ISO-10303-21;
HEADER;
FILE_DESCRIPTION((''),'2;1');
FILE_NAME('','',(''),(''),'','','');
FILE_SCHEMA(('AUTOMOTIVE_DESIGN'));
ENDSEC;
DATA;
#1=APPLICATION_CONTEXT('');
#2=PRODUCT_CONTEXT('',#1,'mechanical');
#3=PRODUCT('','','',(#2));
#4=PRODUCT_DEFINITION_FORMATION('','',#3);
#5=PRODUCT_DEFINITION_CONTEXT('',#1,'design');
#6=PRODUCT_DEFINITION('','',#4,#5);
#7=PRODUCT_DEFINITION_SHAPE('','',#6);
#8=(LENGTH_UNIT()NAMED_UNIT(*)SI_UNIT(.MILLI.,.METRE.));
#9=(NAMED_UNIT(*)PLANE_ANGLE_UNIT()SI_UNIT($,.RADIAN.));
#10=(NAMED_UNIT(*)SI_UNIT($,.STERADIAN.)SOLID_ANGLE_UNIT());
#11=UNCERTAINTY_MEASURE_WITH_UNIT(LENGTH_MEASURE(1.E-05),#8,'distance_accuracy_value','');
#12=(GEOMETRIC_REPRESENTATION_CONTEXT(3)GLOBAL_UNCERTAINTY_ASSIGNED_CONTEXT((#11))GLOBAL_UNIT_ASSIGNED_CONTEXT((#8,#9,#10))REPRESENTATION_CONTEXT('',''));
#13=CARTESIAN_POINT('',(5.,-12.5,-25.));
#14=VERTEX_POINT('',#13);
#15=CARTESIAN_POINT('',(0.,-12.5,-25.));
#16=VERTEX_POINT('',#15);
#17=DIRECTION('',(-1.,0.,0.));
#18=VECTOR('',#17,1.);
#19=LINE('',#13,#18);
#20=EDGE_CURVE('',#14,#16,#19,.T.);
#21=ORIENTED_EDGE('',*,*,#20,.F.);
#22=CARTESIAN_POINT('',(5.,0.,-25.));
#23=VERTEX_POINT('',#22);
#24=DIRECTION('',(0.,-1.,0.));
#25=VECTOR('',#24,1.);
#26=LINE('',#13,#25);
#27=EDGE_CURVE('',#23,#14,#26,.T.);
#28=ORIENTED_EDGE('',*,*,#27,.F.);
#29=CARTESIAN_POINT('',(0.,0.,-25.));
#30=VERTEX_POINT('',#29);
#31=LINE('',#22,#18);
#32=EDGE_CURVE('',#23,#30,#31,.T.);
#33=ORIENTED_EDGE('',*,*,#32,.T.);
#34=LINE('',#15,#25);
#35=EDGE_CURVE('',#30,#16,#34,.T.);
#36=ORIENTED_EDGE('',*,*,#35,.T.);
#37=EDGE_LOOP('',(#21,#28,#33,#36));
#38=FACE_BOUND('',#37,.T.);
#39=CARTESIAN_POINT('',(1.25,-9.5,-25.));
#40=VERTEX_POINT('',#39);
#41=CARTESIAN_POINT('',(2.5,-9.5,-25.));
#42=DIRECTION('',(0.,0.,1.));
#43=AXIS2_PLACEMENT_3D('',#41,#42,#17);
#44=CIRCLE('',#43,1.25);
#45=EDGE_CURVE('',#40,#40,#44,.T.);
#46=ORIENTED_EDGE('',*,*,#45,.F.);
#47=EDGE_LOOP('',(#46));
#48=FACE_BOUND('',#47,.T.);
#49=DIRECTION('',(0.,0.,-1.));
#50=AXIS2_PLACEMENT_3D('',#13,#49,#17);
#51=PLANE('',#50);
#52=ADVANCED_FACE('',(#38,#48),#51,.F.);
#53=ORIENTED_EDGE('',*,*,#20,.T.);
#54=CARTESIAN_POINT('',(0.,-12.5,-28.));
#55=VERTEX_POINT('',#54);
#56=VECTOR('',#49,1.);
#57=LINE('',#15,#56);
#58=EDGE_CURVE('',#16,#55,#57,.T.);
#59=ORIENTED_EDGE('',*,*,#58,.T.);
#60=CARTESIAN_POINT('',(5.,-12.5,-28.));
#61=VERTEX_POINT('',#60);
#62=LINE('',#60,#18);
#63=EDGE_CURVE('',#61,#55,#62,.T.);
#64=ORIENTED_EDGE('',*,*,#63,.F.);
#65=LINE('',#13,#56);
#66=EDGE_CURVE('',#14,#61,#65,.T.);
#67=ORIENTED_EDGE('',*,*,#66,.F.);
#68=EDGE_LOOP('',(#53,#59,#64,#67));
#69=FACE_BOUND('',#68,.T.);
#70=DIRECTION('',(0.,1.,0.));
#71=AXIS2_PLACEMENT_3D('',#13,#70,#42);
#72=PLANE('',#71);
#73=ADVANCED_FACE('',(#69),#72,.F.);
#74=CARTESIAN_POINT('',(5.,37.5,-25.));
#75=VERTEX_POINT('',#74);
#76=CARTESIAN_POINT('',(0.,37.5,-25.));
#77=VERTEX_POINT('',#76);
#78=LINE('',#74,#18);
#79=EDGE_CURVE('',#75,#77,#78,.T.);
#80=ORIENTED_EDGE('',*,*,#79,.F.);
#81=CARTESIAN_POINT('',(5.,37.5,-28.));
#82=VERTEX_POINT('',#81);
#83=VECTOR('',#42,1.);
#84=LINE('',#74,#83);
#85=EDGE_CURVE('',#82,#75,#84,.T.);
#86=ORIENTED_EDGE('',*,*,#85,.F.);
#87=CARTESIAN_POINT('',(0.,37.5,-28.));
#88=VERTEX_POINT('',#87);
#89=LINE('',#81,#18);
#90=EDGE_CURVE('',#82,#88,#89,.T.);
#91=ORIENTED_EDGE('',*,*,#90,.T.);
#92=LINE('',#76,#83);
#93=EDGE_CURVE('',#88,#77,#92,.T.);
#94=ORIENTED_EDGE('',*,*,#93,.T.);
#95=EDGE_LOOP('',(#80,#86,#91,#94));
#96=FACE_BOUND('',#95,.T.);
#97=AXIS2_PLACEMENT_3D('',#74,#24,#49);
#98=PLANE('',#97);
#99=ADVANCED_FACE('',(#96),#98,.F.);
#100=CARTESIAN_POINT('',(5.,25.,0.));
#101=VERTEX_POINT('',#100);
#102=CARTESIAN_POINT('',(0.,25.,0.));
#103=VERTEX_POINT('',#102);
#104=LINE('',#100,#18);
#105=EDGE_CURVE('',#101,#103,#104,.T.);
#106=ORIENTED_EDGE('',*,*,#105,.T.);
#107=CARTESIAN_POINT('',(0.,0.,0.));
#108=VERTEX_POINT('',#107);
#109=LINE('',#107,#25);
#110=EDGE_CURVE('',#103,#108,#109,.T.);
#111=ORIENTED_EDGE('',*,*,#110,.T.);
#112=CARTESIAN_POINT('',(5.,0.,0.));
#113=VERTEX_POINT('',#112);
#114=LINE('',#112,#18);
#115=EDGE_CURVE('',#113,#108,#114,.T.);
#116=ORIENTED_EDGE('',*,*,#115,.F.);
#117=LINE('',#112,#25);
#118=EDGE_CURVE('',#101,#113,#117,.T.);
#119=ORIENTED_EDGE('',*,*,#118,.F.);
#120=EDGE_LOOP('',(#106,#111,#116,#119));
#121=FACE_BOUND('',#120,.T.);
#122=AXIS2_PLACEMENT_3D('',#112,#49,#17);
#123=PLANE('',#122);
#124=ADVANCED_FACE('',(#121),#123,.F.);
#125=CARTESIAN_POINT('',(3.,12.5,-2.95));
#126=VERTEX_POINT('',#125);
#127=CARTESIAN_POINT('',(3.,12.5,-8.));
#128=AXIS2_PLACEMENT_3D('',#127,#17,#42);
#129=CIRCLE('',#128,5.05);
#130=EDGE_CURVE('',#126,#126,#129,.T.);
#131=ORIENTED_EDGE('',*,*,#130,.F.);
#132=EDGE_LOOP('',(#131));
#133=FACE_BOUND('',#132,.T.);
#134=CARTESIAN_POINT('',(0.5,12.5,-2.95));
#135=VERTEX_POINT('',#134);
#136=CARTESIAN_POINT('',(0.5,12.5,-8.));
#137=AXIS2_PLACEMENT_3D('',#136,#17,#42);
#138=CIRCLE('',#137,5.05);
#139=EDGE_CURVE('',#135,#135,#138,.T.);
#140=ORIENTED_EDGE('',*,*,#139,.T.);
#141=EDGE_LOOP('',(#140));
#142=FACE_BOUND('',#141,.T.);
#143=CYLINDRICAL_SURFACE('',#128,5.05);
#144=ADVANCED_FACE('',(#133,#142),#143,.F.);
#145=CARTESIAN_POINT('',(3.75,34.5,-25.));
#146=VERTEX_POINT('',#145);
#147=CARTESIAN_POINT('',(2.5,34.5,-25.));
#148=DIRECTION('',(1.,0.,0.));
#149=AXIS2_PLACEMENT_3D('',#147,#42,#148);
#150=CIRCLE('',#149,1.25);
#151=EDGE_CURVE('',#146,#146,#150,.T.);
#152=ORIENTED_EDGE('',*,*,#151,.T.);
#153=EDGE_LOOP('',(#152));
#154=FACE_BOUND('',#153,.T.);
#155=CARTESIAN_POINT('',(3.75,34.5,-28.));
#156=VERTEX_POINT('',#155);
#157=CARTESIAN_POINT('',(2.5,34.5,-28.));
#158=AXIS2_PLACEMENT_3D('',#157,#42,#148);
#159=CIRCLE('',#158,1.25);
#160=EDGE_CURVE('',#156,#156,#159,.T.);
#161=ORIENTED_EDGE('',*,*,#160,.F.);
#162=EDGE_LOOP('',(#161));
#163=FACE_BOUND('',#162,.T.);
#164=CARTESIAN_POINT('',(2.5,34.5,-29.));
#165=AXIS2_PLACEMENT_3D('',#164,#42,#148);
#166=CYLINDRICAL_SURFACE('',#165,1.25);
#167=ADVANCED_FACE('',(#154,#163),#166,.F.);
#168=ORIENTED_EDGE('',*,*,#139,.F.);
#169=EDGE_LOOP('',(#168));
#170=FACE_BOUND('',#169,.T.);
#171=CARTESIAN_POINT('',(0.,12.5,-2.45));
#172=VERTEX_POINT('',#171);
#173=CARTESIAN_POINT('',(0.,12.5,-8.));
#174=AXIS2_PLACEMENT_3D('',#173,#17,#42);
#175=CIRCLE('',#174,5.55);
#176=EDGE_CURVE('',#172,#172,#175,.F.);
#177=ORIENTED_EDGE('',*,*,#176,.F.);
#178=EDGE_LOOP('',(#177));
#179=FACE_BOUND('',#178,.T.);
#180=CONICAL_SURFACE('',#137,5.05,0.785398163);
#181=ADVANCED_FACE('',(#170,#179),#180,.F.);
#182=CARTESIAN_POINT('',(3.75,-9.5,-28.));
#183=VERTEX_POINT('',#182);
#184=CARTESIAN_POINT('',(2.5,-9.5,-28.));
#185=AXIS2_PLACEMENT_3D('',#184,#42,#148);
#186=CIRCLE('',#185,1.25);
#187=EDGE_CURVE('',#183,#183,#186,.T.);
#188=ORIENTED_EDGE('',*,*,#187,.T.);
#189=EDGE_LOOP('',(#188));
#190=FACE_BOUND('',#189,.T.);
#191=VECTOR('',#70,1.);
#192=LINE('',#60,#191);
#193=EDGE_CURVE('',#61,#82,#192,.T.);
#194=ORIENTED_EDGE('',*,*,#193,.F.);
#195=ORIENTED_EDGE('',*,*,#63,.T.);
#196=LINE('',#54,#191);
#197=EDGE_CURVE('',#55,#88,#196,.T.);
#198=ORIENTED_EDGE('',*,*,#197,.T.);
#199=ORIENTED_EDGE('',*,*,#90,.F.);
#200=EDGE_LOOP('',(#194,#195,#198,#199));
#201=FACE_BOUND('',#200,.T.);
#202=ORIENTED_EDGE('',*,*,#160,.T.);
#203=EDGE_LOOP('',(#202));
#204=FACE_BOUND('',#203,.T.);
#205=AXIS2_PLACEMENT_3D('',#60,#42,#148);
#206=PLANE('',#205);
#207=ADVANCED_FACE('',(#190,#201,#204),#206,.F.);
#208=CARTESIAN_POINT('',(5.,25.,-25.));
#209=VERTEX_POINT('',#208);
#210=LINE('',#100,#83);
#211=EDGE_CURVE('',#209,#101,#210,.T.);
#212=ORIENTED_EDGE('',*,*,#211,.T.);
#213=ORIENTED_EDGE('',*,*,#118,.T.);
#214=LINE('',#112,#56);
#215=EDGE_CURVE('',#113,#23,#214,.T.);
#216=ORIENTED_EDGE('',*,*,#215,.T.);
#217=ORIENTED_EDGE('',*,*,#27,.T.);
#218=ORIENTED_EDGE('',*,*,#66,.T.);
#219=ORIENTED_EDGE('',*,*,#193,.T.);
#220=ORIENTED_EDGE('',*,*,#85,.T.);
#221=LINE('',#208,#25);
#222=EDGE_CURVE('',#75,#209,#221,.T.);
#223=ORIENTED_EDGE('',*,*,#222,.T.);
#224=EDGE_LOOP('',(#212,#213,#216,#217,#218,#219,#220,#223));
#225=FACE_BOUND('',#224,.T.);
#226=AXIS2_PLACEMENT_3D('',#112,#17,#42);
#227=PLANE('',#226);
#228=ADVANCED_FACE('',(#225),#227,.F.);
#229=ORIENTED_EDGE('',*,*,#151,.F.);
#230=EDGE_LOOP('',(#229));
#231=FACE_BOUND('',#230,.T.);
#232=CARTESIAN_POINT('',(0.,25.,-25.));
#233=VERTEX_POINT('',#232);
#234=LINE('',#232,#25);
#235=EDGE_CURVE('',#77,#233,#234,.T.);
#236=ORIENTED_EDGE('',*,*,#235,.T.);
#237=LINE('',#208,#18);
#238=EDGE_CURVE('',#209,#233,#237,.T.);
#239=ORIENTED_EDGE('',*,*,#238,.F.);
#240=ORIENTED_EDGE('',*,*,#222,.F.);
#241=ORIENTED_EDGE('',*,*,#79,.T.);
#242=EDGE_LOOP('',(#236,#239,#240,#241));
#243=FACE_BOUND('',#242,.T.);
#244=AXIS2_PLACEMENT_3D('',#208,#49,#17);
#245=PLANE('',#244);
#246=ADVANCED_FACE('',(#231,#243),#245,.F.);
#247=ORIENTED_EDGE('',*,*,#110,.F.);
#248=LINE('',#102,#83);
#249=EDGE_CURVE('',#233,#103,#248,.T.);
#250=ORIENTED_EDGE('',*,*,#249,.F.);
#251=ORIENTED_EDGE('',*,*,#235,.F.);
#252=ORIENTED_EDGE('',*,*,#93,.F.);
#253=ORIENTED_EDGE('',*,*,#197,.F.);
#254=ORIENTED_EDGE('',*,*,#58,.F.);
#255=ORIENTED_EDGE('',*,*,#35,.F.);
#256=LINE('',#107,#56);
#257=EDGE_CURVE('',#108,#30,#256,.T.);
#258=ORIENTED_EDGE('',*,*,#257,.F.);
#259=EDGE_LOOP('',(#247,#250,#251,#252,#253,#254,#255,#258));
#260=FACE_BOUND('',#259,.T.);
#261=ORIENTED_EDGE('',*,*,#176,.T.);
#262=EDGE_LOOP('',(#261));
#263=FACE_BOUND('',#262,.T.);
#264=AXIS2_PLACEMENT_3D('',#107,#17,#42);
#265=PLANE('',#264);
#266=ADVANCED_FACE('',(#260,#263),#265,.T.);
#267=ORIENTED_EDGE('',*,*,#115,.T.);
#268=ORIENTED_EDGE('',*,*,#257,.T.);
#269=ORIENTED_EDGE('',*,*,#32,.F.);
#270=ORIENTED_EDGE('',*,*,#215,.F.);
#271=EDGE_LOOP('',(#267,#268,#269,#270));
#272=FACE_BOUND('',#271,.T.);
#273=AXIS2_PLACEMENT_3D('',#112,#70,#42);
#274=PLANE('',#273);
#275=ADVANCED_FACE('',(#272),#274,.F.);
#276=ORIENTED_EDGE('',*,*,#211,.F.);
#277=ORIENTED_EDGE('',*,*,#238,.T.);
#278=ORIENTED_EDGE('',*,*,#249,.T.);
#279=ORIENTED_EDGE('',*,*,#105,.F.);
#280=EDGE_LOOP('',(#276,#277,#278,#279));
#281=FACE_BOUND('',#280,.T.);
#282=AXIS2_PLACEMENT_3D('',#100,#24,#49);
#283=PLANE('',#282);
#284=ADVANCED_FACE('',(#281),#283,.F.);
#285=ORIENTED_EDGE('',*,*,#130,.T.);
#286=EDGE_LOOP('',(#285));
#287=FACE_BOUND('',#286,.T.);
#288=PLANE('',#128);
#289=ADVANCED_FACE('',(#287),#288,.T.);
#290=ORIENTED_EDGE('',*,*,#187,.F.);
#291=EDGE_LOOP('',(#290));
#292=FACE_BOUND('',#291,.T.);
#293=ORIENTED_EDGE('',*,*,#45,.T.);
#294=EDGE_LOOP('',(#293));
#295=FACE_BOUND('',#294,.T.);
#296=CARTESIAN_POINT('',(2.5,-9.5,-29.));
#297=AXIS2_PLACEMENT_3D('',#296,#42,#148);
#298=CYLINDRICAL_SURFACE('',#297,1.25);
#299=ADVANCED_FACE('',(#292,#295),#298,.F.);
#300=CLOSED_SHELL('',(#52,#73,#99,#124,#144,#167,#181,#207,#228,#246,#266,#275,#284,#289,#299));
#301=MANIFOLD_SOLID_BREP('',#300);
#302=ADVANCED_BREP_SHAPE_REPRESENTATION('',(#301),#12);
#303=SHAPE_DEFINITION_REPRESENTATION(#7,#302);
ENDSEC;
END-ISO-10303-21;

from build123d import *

# Parameters (mm, degrees)
EXTRUDE_2_DEPTH     = 5
SKETCH_2_R          = 1.25
CUT_EXTRUDE_1_DEPTH = 4
SKETCH_3_R          = 5.05
CUT_EXTRUDE_2_DEPTH = 3
CHAMFER_1_SIZE      = 0.5


with BuildPart() as part:
    # 草图1 → 凸台-拉伸2 (new body)
    with BuildSketch(Plane(origin=(0, 0, 0), x_dir=(0, 0, -1), z_dir=(1, 0, 0))):
        Polygon((25, 25), (25, 37.5), (28, 37.5), (28, -12.5), (25, -12.5), (25, 0), (0, 0), (0, 25), align=None)
    extrude(amount=EXTRUDE_2_DEPTH)

    # 草图2 → 切除-拉伸1 (cut)
    with BuildSketch(Plane.XY.offset(-25)):
        with Locations((2.5, 34.5)):
            Circle(SKETCH_2_R)
        with Locations((2.5, -9.5)):
            Circle(SKETCH_2_R)
    extrude(amount=-CUT_EXTRUDE_1_DEPTH, mode=Mode.SUBTRACT)

    # 草图3 → 切除-拉伸2 (cut)
    with BuildSketch(Plane.ZY):
        with Locations((-8, 12.5)):
            Circle(SKETCH_3_R)
    extrude(amount=-CUT_EXTRUDE_2_DEPTH, mode=Mode.SUBTRACT)

    # 倒角1
    chamfer_1_edges = [part.edges().sort_by_distance(p)[0] for p in [
        (0, 12.5, -13.05),
    ]]
    chamfer(chamfer_1_edges, length=CHAMFER_1_SIZE)


solid = part.part
